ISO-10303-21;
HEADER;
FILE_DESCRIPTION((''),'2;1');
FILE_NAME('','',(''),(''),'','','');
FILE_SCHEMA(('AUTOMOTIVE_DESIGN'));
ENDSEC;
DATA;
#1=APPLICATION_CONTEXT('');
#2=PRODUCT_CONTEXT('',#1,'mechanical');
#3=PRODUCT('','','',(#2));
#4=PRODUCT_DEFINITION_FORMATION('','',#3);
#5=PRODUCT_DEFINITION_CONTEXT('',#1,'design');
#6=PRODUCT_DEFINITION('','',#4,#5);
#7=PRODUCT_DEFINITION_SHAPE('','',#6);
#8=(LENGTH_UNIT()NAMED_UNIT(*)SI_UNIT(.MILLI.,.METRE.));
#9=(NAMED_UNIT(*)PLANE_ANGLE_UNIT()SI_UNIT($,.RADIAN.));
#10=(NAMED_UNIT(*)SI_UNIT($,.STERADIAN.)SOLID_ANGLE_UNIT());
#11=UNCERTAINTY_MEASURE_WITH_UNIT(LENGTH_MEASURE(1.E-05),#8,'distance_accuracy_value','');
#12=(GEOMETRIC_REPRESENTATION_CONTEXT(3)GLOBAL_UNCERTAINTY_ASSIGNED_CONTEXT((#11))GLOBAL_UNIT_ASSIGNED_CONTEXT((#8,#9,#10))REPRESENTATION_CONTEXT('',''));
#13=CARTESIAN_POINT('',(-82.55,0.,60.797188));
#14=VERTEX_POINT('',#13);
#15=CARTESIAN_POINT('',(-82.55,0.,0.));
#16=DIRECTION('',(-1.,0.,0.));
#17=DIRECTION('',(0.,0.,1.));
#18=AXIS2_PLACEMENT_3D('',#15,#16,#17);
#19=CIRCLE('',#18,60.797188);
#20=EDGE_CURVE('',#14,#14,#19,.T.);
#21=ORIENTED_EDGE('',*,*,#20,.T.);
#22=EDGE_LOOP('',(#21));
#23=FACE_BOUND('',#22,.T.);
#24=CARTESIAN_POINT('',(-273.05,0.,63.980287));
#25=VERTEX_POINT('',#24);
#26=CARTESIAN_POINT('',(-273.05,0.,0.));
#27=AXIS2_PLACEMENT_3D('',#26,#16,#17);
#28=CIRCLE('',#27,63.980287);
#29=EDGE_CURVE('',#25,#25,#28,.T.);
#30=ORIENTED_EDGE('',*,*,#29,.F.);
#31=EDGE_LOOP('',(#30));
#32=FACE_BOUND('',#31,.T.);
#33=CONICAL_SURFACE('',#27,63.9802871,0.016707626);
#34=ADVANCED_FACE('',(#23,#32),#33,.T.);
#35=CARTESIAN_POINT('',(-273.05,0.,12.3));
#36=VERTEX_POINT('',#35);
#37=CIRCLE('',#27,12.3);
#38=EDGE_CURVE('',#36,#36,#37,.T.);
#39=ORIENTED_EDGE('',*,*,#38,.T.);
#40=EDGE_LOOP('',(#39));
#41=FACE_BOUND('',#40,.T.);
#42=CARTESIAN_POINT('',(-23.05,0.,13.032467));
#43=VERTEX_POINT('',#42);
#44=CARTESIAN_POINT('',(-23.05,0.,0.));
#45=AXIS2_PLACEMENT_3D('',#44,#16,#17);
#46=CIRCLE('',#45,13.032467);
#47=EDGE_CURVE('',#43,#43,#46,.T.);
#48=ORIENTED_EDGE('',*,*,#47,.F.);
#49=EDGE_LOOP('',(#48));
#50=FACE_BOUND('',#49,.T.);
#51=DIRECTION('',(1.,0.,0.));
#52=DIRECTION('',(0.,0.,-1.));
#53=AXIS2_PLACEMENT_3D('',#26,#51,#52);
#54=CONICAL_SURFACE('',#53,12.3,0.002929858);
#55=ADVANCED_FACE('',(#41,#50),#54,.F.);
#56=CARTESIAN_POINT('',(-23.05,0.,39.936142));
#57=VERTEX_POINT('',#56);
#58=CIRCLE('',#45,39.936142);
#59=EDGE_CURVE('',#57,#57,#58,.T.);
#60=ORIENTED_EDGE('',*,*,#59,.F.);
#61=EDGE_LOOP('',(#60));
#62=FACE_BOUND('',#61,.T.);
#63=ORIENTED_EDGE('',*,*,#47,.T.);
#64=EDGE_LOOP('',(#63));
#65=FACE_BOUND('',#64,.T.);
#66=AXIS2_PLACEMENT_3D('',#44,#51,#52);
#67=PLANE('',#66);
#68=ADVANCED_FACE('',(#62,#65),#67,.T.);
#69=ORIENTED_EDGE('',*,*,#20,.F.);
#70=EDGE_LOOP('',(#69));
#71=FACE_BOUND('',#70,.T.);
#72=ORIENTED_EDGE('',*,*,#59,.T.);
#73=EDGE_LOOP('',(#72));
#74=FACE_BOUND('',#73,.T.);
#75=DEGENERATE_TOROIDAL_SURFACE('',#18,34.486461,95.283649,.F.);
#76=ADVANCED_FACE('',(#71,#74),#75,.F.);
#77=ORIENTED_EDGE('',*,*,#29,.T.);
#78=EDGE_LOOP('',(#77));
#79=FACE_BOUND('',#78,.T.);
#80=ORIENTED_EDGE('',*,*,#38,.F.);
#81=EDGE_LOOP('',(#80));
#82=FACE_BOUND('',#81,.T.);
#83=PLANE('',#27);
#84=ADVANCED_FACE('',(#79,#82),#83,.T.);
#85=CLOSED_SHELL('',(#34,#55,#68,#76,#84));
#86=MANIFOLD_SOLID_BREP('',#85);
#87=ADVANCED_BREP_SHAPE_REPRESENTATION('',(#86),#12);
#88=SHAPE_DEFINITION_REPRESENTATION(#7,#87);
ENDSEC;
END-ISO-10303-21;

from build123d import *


with BuildPart() as part:
    # Sketch1 one side → Revolve1 (revolve)
    with BuildSketch(Plane(origin=(0, 0, 0), x_dir=(1, 0, 0), z_dir=(0, 1, 0))):
        with BuildLine():
            Line((-82.55, 60.79718825), (-273.05, 63.9802871))
            Line((-273.05, 63.9802871), (-273.05, 12.3))
            Line((-273.05, 12.3), (-23.05, 13.032466581))
            Line((-23.05, 13.032466581), (-23.05, 39.936141717))
            ThreePointArc((-23.05, 39.936141717), (-51.024481517, 55.430809276), (-82.55, 60.79718825))
        make_face()
    revolve(axis=Axis((-491.53912206, 0, 0), (1, 0, 0)))


solid = part.part
